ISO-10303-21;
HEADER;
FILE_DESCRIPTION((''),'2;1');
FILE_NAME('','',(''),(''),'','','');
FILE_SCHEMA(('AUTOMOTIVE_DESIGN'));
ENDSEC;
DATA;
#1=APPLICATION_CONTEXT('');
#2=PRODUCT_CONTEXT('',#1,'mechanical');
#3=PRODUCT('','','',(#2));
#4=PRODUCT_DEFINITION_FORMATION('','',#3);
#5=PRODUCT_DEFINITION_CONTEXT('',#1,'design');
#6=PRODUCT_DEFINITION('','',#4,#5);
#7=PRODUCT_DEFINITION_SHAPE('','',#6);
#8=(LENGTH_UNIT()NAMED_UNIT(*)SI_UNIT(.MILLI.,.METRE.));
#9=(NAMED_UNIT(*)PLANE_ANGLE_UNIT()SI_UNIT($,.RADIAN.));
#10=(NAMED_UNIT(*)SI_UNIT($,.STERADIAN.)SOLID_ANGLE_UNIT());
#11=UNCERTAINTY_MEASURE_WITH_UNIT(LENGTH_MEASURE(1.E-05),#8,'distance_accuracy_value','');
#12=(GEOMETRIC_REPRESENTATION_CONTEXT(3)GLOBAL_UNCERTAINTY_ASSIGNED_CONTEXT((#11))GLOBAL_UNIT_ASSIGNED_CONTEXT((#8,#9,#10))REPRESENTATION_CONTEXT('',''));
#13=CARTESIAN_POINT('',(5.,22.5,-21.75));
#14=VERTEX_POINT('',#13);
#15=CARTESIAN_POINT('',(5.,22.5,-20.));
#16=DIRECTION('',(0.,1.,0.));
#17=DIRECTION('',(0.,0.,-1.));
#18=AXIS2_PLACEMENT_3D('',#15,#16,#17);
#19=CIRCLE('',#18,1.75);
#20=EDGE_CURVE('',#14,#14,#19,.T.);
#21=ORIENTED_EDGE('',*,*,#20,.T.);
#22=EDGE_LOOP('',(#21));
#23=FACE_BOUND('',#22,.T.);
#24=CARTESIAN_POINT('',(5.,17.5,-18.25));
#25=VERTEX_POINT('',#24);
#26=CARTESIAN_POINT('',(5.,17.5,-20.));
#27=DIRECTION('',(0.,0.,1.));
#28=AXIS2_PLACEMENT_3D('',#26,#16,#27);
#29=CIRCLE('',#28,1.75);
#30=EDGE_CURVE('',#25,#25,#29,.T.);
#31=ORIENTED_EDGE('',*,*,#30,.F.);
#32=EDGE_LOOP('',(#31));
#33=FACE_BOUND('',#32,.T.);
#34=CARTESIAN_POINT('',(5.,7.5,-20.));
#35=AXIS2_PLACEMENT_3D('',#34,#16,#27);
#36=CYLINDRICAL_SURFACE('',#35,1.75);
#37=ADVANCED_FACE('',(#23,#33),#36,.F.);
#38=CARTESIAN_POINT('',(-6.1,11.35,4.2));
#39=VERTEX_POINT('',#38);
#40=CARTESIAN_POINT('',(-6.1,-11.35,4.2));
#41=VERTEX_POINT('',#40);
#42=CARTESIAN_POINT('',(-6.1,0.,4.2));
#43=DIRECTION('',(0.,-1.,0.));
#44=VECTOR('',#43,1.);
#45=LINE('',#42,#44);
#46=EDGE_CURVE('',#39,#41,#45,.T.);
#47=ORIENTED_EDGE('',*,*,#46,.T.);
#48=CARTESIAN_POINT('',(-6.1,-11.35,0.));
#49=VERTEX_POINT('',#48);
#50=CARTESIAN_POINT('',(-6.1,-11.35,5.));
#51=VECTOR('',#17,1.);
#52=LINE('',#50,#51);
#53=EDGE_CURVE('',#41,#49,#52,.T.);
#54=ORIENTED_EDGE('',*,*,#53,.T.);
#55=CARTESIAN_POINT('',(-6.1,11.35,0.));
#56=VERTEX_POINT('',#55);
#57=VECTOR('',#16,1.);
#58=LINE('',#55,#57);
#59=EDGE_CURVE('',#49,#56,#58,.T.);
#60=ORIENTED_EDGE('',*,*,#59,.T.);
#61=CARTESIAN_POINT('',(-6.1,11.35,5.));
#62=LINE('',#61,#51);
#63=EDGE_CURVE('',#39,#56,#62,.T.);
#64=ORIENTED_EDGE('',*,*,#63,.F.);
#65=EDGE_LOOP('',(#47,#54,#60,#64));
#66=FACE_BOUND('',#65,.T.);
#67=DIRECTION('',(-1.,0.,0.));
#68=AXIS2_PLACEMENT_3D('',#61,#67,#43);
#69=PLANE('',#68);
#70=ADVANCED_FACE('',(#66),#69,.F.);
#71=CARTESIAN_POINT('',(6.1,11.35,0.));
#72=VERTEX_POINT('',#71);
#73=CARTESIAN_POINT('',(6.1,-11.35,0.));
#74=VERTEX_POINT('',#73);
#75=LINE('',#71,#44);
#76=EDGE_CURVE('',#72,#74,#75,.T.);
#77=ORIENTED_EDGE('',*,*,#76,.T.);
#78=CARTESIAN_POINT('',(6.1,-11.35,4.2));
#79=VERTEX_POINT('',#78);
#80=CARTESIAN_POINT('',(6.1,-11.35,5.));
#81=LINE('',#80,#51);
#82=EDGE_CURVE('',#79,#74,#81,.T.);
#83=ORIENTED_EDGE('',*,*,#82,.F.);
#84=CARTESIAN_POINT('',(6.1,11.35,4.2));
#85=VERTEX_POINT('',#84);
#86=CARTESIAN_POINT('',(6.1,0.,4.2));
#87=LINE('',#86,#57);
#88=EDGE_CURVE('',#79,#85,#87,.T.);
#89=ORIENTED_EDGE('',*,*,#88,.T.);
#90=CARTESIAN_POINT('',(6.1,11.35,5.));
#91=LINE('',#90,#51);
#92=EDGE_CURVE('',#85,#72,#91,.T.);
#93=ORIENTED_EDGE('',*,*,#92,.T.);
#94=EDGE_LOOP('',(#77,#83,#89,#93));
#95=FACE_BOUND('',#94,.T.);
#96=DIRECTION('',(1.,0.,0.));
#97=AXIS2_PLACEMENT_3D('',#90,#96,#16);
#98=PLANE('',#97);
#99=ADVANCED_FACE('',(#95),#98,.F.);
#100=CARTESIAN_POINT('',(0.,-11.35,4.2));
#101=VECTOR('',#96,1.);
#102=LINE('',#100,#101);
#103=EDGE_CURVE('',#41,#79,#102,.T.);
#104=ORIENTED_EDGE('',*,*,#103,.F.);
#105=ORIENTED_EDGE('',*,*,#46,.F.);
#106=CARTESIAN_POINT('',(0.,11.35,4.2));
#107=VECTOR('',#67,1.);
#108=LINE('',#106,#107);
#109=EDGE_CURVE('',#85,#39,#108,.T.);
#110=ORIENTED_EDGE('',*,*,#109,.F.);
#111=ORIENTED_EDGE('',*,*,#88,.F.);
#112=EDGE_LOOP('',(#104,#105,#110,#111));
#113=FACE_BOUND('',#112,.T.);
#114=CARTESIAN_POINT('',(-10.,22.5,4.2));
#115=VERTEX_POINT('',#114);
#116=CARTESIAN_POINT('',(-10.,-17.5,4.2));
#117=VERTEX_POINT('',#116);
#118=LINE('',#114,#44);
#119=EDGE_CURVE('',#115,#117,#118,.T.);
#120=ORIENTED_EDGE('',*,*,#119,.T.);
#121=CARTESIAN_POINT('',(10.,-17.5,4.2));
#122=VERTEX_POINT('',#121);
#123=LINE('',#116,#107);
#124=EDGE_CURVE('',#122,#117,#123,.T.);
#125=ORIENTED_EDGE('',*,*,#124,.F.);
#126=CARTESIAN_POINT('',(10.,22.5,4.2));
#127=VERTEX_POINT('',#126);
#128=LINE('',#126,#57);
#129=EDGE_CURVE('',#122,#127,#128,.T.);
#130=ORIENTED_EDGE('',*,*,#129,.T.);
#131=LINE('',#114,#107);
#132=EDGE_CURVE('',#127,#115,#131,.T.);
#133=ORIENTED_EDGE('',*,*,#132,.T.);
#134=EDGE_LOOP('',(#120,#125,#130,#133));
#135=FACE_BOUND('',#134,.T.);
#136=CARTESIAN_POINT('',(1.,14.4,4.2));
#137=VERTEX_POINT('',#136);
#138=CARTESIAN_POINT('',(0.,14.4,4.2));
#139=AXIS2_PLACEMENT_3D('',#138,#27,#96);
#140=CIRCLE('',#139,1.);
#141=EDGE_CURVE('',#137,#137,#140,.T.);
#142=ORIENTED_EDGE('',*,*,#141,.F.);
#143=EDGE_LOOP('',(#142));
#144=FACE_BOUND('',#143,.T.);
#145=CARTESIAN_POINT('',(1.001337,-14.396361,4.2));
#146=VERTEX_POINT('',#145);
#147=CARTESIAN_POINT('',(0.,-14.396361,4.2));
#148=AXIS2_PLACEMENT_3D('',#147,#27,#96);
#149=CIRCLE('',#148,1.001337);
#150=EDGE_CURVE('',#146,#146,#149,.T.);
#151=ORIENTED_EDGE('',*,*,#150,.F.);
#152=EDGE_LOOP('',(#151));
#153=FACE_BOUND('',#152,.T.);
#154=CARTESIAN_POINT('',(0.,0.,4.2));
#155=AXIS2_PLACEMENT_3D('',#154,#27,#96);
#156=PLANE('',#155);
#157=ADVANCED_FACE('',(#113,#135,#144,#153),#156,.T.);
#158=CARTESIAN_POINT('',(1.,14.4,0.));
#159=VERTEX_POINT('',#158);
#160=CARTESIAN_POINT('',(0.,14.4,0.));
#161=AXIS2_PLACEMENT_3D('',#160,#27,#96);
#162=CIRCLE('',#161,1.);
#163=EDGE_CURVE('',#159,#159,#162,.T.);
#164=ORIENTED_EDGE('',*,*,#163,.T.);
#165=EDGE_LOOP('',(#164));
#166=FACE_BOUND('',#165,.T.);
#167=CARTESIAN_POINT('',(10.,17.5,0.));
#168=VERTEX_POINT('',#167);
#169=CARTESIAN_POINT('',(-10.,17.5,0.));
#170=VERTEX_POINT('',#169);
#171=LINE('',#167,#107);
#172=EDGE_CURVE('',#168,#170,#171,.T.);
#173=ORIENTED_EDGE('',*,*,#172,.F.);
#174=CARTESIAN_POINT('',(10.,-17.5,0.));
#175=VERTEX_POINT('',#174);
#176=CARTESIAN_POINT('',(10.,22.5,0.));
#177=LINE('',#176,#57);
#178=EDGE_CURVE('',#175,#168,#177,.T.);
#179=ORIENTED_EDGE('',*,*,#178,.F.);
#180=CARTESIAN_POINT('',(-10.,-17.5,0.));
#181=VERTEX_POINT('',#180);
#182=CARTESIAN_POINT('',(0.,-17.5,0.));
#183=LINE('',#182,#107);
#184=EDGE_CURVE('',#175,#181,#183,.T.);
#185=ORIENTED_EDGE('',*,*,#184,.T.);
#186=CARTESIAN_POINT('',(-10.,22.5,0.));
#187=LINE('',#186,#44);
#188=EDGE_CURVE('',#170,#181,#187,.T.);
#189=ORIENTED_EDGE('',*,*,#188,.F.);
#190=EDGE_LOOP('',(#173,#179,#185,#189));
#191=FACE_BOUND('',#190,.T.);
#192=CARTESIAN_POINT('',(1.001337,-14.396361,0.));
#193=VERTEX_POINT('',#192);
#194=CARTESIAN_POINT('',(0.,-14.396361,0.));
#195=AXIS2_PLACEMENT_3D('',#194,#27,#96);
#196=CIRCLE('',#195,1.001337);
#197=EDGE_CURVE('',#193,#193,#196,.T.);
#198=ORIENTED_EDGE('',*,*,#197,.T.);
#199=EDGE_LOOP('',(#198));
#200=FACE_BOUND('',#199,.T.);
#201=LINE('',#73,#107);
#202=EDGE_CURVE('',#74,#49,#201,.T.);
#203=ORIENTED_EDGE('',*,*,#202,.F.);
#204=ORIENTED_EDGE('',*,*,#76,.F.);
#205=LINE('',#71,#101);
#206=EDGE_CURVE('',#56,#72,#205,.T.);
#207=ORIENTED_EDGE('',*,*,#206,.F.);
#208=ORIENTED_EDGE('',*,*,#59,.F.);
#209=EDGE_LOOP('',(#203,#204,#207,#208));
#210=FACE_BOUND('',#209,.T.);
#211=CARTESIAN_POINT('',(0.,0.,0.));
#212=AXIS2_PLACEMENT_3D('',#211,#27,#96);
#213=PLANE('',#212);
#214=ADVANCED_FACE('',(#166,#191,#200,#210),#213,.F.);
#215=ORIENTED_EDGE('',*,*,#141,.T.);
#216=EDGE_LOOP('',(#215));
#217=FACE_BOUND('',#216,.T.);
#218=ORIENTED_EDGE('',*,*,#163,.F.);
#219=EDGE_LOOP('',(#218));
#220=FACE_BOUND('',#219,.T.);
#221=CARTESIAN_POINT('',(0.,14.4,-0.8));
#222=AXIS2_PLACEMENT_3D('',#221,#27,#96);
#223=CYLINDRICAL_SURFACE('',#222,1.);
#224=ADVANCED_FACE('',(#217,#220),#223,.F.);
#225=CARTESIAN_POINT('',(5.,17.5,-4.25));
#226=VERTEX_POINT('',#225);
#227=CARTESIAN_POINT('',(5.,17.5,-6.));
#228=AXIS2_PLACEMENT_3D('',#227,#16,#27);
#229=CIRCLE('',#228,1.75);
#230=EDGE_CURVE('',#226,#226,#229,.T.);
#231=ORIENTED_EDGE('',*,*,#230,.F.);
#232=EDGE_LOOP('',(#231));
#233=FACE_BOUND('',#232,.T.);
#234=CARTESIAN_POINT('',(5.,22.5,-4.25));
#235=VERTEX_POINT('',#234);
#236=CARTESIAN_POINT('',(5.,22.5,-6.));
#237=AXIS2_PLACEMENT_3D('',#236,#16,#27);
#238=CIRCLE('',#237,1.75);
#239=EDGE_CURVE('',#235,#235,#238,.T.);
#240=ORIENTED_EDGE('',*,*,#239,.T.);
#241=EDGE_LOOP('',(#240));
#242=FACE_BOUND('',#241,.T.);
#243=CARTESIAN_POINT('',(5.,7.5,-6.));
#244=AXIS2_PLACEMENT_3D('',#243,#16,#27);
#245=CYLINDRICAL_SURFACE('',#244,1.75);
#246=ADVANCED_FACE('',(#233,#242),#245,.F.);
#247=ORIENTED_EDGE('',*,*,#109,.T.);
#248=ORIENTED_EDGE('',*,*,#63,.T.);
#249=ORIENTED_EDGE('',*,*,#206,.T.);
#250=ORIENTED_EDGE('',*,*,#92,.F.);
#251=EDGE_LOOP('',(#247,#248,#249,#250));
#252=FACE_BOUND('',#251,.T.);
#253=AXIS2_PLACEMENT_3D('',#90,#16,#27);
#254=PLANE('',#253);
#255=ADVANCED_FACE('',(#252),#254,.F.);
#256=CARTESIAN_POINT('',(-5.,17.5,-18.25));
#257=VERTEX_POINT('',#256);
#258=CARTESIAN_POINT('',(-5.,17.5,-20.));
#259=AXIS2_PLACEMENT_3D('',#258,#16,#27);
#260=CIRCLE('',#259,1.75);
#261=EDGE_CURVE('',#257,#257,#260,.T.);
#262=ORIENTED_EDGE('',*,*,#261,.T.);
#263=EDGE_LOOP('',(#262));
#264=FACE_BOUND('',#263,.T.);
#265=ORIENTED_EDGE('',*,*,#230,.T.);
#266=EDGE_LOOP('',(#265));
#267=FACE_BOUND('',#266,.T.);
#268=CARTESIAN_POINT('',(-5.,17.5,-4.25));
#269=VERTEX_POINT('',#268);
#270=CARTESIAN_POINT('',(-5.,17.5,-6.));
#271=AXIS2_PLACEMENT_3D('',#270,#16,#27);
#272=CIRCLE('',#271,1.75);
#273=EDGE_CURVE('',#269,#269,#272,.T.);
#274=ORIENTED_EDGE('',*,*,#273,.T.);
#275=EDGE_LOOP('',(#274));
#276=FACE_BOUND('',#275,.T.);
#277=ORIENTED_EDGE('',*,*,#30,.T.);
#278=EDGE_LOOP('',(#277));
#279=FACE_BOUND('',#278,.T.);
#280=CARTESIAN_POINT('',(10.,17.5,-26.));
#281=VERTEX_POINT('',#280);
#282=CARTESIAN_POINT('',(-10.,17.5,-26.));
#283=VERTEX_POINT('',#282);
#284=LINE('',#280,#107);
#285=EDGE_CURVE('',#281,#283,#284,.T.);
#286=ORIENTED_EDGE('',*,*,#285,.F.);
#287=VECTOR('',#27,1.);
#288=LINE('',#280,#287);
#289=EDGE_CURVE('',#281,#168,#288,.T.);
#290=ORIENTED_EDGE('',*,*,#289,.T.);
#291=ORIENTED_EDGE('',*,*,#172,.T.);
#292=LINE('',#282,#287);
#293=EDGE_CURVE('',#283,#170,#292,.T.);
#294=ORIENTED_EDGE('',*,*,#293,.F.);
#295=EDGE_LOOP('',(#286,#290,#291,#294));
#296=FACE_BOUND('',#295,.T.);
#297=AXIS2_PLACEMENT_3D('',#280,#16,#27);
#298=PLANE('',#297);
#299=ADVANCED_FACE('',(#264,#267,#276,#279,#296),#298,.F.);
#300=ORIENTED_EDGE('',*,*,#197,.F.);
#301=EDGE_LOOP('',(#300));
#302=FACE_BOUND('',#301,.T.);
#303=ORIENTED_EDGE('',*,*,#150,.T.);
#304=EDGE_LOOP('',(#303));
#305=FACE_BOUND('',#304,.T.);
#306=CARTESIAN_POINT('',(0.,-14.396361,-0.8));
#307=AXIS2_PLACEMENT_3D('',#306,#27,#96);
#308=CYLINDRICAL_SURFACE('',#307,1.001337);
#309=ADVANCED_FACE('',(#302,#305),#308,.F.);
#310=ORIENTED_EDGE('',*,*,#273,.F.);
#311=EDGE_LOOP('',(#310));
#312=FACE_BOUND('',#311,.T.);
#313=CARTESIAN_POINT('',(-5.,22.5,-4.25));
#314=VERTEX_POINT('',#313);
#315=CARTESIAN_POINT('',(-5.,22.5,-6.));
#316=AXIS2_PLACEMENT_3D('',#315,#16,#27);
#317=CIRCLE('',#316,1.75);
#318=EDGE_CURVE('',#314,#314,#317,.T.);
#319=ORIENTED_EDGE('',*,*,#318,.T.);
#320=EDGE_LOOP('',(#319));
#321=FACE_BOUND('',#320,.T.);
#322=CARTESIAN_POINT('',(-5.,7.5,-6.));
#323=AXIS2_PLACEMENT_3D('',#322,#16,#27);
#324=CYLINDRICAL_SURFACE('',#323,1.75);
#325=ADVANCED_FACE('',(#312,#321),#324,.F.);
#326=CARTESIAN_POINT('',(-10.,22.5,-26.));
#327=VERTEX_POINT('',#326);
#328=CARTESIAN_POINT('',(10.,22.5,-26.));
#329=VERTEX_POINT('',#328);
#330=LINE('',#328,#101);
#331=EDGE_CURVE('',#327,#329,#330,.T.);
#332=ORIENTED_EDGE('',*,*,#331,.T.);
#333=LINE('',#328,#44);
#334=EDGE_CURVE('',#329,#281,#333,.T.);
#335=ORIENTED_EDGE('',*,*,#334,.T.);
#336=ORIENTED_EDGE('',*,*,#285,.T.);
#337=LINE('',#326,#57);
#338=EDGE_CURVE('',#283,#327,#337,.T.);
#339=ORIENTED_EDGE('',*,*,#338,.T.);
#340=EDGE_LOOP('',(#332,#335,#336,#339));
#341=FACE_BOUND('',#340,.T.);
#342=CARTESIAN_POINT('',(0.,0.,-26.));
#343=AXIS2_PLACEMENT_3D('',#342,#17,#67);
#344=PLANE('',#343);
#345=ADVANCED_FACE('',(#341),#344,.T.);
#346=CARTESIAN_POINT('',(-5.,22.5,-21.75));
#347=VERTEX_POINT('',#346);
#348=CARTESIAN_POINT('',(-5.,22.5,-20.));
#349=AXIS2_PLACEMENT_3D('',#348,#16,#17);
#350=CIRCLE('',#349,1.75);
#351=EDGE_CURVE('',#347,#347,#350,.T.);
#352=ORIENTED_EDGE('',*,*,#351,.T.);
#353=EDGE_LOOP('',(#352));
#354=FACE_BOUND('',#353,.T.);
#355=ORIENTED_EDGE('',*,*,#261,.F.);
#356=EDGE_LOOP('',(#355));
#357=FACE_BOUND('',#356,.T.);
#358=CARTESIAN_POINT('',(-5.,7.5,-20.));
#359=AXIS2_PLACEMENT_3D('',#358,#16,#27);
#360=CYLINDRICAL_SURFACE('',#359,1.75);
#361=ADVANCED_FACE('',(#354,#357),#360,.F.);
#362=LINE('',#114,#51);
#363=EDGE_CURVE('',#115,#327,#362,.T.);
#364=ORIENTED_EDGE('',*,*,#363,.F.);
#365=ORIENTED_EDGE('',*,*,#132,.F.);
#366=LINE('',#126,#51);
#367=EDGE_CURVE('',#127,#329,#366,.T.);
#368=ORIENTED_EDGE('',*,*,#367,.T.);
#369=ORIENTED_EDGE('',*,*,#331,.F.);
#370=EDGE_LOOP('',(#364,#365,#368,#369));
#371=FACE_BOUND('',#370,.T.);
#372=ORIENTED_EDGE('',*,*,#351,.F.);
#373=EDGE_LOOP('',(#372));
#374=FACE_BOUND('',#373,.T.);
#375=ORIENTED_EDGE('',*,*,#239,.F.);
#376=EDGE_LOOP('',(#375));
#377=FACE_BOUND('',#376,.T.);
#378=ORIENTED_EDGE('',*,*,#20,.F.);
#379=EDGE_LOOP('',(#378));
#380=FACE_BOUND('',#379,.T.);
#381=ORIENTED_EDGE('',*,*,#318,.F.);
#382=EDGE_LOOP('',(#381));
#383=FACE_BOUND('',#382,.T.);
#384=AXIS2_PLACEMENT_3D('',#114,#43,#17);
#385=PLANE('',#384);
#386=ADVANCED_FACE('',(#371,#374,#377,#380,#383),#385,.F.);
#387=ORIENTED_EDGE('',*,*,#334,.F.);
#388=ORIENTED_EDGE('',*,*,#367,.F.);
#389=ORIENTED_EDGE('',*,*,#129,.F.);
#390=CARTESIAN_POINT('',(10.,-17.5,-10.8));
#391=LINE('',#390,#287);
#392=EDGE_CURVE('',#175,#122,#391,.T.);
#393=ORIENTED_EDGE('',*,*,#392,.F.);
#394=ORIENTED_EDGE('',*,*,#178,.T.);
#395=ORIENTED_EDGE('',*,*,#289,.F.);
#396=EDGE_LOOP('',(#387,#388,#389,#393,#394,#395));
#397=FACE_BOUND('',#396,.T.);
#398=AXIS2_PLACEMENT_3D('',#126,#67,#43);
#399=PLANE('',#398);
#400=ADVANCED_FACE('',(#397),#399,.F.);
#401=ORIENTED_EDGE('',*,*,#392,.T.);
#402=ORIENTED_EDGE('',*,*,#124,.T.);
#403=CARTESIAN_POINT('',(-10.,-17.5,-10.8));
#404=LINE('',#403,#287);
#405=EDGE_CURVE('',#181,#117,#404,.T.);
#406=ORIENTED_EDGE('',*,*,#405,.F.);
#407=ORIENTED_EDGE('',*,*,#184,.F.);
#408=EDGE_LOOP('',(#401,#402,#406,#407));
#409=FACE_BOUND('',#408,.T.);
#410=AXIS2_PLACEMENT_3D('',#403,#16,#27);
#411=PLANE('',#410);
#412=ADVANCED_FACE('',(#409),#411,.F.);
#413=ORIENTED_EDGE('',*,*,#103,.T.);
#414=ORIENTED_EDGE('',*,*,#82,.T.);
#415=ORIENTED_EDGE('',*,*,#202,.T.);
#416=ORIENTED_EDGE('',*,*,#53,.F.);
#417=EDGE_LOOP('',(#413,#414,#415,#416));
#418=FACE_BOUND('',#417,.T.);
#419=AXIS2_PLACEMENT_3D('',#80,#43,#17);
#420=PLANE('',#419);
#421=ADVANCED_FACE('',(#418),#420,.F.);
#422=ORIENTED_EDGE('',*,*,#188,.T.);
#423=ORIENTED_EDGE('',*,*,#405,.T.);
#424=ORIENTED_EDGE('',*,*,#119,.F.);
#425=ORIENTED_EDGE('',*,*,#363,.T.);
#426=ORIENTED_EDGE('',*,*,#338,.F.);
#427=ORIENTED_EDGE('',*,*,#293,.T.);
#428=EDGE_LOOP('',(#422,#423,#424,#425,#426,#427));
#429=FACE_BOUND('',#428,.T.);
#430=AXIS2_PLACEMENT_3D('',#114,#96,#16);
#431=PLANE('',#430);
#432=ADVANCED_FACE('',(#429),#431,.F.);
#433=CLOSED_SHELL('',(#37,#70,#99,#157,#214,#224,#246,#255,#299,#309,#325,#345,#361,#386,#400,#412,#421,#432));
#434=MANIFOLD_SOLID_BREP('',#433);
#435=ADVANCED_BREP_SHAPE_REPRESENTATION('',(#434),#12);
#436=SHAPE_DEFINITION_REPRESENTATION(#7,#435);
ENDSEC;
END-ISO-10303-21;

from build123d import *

# Parameters (mm, degrees)
SKETCH1_W           = 20
SKETCH1_H           = 45
BOSS_EXTRUDE1_DEPTH = 4.2
SKETCH2_W           = 12.2
SKETCH2_H           = 22.7
CUT_EXTRUDE1_DEPTH  = 5
SKETCH3_R           = 1
SKETCH3_R_2         = 1.001337469
CUT_EXTRUDE2_DEPTH  = 5
SKETCH4_W           = 20
SKETCH4_H           = 5
BOSS_EXTRUDE2_DEPTH = 26
SKETCH5_R           = 1.75
CUT_EXTRUDE3_DEPTH  = 15
SKETCH6_W           = 20
SKETCH6_H           = 5
CUT_EXTRUDE4_DEPTH  = 15


with BuildPart() as part:
    # Sketch1 → Boss-Extrude1 (new body)
    with BuildSketch(Plane.XY):
        Rectangle(SKETCH1_W, SKETCH1_H)
    extrude(amount=BOSS_EXTRUDE1_DEPTH)

    # Sketch2 → Cut-Extrude1 (cut)
    with BuildSketch(Plane(origin=(0, 0, 0), x_dir=(-1, 0, 0), z_dir=(0, 0, -1))):
        Rectangle(SKETCH2_W, SKETCH2_H)
    extrude(amount=-CUT_EXTRUDE1_DEPTH, mode=Mode.SUBTRACT)

    # Sketch3 → Cut-Extrude2 (cut)
    with BuildSketch(Plane.XY.offset(4.2)):
        with Locations((0, 14.4)):
            Circle(SKETCH3_R)
        with Locations((0, -14.396360879)):
            Circle(SKETCH3_R_2)
    extrude(amount=-CUT_EXTRUDE2_DEPTH, mode=Mode.SUBTRACT)

    # Sketch4 → Boss-Extrude2 (add)
    with BuildSketch(Plane(origin=(0, 0, 0), x_dir=(-1, 0, 0), z_dir=(0, 0, -1))):
        with Locations((0, 20)):
            Rectangle(SKETCH4_W, SKETCH4_H)
    extrude(amount=BOSS_EXTRUDE2_DEPTH)

    # Sketch5 → Cut-Extrude3 (cut)
    with BuildSketch(Plane(origin=(0, 22.5, 0), x_dir=(1, 0, 0), z_dir=(0, 1, 0))):
        with Locations((-5, 6)):
            Circle(SKETCH5_R)
        with Locations((5, 6)):
            Circle(SKETCH5_R)
        with Locations((5, 20)):
            Circle(SKETCH5_R)
        with Locations((-5, 20)):
            Circle(SKETCH5_R)
    extrude(amount=-CUT_EXTRUDE3_DEPTH, mode=Mode.SUBTRACT)

    # Sketch6 → Cut-Extrude4 (cut)
    with BuildSketch(Plane.XY.offset(4.2)):
        with Locations((0, -20)):
            Rectangle(SKETCH6_W, SKETCH6_H)
    extrude(amount=-CUT_EXTRUDE4_DEPTH, mode=Mode.SUBTRACT)


solid = part.part
